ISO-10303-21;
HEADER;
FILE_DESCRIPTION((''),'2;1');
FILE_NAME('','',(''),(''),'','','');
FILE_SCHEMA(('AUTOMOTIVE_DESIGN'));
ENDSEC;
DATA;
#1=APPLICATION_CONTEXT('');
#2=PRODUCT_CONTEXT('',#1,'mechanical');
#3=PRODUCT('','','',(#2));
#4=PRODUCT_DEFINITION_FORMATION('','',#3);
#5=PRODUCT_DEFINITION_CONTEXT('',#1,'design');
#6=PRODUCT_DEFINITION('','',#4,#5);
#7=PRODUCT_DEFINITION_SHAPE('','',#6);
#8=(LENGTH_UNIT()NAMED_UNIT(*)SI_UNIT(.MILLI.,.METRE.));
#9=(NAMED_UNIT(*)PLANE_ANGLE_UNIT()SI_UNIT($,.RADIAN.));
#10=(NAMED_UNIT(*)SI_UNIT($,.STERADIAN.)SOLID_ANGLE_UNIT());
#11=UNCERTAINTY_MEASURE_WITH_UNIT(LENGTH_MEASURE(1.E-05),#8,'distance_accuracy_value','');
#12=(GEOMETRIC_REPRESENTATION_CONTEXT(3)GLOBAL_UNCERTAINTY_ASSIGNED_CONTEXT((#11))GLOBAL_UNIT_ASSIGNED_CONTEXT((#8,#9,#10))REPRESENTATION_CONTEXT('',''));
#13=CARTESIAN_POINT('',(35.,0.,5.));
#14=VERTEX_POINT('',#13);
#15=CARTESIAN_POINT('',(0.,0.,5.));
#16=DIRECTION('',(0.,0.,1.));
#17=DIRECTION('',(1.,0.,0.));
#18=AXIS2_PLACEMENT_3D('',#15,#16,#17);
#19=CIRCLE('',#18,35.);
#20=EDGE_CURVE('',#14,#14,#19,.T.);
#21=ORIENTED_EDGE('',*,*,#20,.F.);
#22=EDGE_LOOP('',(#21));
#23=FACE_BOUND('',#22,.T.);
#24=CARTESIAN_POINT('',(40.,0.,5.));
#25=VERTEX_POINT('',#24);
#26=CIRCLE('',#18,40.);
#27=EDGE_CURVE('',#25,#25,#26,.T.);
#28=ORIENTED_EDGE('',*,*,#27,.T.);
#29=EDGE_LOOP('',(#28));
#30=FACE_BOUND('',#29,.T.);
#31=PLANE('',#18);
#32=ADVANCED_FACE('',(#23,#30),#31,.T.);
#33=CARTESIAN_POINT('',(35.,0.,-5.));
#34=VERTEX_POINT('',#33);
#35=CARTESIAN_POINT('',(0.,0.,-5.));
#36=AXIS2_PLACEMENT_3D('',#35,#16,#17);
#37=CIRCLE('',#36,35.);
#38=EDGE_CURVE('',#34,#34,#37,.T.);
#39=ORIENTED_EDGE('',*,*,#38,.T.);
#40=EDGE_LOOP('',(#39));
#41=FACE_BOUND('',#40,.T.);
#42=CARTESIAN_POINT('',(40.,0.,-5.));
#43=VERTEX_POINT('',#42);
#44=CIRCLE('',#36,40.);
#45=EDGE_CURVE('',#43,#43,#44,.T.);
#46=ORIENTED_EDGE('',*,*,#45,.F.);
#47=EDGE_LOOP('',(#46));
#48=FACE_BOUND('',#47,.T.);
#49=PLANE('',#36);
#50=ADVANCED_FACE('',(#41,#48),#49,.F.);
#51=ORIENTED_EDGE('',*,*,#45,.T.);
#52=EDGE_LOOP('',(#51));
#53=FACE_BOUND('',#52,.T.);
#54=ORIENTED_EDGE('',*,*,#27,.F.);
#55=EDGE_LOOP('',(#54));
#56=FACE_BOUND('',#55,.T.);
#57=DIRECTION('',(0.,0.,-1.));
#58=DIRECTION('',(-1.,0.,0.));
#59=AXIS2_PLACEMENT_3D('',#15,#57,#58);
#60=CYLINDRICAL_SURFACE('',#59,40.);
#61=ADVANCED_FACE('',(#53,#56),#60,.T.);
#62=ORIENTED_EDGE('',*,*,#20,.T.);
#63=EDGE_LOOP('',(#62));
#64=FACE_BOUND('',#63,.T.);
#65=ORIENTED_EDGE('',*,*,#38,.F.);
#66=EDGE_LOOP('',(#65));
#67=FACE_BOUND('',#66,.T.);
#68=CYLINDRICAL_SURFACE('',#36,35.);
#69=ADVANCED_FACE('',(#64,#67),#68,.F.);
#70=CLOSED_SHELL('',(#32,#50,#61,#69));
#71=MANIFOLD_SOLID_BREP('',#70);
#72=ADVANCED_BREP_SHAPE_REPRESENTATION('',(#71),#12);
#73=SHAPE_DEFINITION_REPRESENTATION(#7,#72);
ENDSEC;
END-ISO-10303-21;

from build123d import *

# Parameters (mm, degrees)
SKETCH2_R           = 40
BOSS_EXTRUDE1_DEPTH = 5
SKETCH3_R           = 35
CUT_EXTRUDE1_DEPTH  = 58.445626465


with BuildPart() as part:
    # Sketch2 → Boss-Extrude1 (new, symmetric)
    with BuildSketch(Plane.XY):
        Circle(SKETCH2_R)
    extrude(amount=BOSS_EXTRUDE1_DEPTH, both=True)

    # Sketch3 → Cut-Extrude1 (cut, through all)
    with BuildSketch(Plane.XY.offset(5)):
        Circle(SKETCH3_R)
    extrude(amount=-CUT_EXTRUDE1_DEPTH, mode=Mode.SUBTRACT)


solid = part.part
